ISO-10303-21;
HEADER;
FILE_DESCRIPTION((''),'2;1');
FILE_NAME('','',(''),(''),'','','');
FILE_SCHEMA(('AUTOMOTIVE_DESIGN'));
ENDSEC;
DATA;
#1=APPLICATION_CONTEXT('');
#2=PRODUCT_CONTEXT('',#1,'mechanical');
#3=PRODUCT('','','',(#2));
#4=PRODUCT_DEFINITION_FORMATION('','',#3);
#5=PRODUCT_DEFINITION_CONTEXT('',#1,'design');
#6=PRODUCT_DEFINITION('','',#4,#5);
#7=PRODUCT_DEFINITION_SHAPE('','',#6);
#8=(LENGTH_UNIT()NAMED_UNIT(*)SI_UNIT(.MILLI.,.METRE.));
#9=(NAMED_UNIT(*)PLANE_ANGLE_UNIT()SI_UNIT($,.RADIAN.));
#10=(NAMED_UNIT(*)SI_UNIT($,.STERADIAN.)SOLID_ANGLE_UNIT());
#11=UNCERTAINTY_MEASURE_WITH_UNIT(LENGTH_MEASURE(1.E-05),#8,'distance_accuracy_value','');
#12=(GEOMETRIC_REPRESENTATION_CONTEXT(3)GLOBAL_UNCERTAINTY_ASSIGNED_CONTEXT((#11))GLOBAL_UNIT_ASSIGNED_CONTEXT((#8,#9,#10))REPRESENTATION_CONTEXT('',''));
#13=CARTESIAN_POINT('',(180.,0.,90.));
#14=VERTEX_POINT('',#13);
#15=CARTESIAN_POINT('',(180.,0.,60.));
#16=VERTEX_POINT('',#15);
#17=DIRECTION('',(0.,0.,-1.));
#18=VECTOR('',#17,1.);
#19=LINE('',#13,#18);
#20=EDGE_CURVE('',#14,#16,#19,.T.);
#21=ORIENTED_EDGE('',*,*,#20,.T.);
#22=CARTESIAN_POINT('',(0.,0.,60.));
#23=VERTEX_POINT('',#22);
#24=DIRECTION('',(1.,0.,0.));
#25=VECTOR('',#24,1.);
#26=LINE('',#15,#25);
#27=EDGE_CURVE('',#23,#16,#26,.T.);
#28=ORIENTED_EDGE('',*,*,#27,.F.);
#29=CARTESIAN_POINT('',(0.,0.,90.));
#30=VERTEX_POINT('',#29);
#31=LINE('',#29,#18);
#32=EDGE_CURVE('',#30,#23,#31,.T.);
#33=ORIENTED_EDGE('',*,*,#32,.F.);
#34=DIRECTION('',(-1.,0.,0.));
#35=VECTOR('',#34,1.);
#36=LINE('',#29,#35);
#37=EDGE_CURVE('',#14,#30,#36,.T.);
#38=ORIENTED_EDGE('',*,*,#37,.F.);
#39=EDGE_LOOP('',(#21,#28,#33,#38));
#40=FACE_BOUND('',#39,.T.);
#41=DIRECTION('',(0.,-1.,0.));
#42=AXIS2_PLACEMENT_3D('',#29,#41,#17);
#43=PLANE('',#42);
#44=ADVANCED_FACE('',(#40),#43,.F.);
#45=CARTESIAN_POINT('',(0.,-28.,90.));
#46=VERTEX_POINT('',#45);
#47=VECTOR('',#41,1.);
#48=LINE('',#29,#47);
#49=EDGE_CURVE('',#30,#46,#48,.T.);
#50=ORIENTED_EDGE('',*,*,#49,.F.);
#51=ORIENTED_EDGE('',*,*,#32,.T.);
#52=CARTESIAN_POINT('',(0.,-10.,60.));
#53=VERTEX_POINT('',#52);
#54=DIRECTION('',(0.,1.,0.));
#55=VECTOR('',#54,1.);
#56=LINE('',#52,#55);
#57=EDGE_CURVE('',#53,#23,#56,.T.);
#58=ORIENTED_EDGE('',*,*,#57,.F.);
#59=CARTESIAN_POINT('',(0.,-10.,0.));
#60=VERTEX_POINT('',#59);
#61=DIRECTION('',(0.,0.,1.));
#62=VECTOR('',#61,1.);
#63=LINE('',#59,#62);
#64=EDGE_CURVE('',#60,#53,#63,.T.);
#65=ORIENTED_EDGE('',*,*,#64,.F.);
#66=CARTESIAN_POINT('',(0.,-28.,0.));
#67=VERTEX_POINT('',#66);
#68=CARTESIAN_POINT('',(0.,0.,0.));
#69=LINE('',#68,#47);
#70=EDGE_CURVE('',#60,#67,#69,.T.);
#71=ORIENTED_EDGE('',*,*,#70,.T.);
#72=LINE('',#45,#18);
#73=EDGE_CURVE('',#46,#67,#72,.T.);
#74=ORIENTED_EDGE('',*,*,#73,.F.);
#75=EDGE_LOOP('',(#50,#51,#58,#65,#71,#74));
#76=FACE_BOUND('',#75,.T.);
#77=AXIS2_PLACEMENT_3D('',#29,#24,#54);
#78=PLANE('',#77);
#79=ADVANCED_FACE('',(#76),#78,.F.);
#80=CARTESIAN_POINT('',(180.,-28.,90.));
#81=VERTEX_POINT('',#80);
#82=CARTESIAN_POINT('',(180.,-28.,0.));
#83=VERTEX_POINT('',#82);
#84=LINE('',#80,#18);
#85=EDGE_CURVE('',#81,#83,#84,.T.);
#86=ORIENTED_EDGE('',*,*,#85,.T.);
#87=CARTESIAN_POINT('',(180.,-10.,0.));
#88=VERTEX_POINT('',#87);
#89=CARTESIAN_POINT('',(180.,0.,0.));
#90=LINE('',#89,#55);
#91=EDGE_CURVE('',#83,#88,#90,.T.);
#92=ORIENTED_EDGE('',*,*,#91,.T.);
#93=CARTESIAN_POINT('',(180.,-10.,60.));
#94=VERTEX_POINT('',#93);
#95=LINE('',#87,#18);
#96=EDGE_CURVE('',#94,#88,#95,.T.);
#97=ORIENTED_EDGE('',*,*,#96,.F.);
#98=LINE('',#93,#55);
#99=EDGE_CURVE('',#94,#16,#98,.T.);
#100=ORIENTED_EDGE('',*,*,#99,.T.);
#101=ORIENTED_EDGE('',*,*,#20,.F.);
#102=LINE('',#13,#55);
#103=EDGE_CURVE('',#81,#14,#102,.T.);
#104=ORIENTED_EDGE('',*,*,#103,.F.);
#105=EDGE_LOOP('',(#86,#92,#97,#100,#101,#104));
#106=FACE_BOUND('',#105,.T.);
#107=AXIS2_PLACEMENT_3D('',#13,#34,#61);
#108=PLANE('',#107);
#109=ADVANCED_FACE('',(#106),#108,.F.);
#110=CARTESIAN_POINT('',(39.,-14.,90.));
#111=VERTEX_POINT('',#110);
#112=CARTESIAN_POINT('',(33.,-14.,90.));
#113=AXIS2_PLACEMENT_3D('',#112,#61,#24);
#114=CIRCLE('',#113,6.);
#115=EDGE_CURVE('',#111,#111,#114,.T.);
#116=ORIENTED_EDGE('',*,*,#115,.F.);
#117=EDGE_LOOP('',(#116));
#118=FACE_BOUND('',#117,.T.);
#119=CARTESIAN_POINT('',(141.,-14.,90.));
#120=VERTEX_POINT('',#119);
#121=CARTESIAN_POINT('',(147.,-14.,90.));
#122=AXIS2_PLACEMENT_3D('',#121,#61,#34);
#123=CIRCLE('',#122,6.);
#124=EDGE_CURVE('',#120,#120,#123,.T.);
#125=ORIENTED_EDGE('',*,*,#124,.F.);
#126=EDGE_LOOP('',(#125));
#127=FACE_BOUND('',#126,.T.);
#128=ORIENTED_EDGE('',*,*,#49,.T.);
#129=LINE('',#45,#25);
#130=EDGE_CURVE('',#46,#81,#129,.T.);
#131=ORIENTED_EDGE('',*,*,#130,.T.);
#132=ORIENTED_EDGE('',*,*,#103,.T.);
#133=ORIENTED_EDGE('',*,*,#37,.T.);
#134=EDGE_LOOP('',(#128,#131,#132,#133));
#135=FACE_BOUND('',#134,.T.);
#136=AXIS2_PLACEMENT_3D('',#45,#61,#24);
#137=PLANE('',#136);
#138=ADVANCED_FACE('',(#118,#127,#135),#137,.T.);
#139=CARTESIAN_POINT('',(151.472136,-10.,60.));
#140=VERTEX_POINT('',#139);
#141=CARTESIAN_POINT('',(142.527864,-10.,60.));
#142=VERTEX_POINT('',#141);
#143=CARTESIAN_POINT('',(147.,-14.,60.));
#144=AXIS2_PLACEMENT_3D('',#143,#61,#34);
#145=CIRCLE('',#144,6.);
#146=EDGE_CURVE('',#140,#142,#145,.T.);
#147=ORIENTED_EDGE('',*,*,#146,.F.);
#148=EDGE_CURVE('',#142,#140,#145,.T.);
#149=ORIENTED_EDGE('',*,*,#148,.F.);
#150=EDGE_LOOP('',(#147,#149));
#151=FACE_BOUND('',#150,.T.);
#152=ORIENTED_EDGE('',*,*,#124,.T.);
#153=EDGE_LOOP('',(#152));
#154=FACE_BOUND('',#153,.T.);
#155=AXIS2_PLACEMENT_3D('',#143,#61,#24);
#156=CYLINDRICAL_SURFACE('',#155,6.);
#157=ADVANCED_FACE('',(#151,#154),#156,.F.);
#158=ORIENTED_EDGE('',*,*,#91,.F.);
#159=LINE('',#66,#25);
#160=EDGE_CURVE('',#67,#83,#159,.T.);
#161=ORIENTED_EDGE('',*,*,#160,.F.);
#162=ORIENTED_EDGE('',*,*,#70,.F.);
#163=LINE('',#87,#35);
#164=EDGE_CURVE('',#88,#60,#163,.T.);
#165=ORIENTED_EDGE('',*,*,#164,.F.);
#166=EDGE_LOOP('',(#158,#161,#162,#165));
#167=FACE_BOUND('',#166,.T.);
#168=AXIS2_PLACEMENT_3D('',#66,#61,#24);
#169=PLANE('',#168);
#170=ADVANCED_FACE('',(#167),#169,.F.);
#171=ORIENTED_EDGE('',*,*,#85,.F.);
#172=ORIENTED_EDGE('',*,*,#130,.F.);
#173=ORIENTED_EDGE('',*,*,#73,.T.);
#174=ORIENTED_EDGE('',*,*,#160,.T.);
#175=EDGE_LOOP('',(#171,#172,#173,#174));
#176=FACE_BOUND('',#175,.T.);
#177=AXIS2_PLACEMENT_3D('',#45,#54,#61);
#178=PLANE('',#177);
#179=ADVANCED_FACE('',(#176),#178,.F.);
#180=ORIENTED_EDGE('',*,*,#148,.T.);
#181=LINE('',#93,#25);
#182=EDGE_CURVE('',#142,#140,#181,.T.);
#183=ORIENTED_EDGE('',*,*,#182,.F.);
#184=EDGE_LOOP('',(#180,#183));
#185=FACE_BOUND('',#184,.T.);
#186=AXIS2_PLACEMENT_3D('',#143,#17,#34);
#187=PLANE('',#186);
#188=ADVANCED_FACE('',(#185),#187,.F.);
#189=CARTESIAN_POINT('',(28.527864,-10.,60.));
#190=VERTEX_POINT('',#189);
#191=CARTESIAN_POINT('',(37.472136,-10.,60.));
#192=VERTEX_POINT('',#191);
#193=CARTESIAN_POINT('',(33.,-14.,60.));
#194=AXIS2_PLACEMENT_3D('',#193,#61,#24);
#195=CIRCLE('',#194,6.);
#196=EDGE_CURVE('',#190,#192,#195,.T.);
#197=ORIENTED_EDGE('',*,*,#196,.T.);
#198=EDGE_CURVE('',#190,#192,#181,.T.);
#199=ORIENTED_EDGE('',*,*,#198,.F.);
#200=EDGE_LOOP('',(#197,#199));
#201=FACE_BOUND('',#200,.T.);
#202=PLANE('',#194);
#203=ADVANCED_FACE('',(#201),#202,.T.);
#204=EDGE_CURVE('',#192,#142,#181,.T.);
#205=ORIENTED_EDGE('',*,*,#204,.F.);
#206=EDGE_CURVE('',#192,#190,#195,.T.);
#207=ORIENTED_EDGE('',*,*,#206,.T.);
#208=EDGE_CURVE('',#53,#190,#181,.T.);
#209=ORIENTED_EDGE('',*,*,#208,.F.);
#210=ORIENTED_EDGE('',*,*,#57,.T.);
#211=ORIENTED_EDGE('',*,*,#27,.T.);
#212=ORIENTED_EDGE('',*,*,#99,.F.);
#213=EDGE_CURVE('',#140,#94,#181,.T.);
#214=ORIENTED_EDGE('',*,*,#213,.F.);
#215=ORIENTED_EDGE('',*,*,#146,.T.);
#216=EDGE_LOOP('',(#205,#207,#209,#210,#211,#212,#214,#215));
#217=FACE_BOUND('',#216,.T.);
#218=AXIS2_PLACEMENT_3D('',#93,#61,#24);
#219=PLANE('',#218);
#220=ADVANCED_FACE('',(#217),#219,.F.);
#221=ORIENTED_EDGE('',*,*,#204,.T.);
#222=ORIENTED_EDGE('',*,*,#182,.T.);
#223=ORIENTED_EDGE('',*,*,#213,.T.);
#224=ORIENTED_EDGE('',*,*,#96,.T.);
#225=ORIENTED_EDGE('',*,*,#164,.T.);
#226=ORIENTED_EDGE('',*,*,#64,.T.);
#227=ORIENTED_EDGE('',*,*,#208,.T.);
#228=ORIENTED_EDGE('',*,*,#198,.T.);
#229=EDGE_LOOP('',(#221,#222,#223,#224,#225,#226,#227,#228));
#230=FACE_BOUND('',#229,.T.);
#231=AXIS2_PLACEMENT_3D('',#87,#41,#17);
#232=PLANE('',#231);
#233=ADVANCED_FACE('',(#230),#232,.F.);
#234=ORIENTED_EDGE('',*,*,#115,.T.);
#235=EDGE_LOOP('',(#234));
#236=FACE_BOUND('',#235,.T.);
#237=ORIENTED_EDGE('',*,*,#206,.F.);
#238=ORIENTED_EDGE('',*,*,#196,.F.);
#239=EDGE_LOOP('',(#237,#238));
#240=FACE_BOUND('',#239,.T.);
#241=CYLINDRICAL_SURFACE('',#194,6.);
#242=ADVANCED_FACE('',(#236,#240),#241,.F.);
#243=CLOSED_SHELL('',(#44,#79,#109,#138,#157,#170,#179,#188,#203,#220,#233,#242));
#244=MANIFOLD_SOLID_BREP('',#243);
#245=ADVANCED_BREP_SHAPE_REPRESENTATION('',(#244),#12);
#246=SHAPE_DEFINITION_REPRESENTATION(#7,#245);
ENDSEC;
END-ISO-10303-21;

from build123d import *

# Parameters (mm, degrees)
SKETCH_1_W          = 180
SKETCH_1_H          = 28
EXTRUDE_1_DEPTH     = 90
SKETCH_2_R          = 6
CUT_EXTRUDE_1_DEPTH = 30
SKETCH_3_W          = 180
SKETCH_3_H          = 60
CUT_EXTRUDE_2_DEPTH = 10


with BuildPart() as part:
    # 草图1 → 拉伸1 (new body)
    with BuildSketch(Plane.XY):
        with Locations((90, -14)):
            Rectangle(SKETCH_1_W, SKETCH_1_H)
    extrude(amount=EXTRUDE_1_DEPTH)

    # 草图2 → 切除-拉伸1 (cut)
    with BuildSketch(Plane.XY.offset(90)):
        with Locations((33, -14)):
            Circle(SKETCH_2_R)
        with Locations(Location((147, -14, 0), (0, 0, 180))):
            Circle(SKETCH_2_R)
    extrude(amount=-CUT_EXTRUDE_1_DEPTH, mode=Mode.SUBTRACT)

    # 草图3 → 切除-拉伸2 (cut)
    with BuildSketch(Plane(origin=(0, 0, 0), x_dir=(1, 0, 0), z_dir=(0, 1, 0))):
        with Locations((90, -30)):
            Rectangle(SKETCH_3_W, SKETCH_3_H)
    extrude(amount=-CUT_EXTRUDE_2_DEPTH, mode=Mode.SUBTRACT)


solid = part.part
